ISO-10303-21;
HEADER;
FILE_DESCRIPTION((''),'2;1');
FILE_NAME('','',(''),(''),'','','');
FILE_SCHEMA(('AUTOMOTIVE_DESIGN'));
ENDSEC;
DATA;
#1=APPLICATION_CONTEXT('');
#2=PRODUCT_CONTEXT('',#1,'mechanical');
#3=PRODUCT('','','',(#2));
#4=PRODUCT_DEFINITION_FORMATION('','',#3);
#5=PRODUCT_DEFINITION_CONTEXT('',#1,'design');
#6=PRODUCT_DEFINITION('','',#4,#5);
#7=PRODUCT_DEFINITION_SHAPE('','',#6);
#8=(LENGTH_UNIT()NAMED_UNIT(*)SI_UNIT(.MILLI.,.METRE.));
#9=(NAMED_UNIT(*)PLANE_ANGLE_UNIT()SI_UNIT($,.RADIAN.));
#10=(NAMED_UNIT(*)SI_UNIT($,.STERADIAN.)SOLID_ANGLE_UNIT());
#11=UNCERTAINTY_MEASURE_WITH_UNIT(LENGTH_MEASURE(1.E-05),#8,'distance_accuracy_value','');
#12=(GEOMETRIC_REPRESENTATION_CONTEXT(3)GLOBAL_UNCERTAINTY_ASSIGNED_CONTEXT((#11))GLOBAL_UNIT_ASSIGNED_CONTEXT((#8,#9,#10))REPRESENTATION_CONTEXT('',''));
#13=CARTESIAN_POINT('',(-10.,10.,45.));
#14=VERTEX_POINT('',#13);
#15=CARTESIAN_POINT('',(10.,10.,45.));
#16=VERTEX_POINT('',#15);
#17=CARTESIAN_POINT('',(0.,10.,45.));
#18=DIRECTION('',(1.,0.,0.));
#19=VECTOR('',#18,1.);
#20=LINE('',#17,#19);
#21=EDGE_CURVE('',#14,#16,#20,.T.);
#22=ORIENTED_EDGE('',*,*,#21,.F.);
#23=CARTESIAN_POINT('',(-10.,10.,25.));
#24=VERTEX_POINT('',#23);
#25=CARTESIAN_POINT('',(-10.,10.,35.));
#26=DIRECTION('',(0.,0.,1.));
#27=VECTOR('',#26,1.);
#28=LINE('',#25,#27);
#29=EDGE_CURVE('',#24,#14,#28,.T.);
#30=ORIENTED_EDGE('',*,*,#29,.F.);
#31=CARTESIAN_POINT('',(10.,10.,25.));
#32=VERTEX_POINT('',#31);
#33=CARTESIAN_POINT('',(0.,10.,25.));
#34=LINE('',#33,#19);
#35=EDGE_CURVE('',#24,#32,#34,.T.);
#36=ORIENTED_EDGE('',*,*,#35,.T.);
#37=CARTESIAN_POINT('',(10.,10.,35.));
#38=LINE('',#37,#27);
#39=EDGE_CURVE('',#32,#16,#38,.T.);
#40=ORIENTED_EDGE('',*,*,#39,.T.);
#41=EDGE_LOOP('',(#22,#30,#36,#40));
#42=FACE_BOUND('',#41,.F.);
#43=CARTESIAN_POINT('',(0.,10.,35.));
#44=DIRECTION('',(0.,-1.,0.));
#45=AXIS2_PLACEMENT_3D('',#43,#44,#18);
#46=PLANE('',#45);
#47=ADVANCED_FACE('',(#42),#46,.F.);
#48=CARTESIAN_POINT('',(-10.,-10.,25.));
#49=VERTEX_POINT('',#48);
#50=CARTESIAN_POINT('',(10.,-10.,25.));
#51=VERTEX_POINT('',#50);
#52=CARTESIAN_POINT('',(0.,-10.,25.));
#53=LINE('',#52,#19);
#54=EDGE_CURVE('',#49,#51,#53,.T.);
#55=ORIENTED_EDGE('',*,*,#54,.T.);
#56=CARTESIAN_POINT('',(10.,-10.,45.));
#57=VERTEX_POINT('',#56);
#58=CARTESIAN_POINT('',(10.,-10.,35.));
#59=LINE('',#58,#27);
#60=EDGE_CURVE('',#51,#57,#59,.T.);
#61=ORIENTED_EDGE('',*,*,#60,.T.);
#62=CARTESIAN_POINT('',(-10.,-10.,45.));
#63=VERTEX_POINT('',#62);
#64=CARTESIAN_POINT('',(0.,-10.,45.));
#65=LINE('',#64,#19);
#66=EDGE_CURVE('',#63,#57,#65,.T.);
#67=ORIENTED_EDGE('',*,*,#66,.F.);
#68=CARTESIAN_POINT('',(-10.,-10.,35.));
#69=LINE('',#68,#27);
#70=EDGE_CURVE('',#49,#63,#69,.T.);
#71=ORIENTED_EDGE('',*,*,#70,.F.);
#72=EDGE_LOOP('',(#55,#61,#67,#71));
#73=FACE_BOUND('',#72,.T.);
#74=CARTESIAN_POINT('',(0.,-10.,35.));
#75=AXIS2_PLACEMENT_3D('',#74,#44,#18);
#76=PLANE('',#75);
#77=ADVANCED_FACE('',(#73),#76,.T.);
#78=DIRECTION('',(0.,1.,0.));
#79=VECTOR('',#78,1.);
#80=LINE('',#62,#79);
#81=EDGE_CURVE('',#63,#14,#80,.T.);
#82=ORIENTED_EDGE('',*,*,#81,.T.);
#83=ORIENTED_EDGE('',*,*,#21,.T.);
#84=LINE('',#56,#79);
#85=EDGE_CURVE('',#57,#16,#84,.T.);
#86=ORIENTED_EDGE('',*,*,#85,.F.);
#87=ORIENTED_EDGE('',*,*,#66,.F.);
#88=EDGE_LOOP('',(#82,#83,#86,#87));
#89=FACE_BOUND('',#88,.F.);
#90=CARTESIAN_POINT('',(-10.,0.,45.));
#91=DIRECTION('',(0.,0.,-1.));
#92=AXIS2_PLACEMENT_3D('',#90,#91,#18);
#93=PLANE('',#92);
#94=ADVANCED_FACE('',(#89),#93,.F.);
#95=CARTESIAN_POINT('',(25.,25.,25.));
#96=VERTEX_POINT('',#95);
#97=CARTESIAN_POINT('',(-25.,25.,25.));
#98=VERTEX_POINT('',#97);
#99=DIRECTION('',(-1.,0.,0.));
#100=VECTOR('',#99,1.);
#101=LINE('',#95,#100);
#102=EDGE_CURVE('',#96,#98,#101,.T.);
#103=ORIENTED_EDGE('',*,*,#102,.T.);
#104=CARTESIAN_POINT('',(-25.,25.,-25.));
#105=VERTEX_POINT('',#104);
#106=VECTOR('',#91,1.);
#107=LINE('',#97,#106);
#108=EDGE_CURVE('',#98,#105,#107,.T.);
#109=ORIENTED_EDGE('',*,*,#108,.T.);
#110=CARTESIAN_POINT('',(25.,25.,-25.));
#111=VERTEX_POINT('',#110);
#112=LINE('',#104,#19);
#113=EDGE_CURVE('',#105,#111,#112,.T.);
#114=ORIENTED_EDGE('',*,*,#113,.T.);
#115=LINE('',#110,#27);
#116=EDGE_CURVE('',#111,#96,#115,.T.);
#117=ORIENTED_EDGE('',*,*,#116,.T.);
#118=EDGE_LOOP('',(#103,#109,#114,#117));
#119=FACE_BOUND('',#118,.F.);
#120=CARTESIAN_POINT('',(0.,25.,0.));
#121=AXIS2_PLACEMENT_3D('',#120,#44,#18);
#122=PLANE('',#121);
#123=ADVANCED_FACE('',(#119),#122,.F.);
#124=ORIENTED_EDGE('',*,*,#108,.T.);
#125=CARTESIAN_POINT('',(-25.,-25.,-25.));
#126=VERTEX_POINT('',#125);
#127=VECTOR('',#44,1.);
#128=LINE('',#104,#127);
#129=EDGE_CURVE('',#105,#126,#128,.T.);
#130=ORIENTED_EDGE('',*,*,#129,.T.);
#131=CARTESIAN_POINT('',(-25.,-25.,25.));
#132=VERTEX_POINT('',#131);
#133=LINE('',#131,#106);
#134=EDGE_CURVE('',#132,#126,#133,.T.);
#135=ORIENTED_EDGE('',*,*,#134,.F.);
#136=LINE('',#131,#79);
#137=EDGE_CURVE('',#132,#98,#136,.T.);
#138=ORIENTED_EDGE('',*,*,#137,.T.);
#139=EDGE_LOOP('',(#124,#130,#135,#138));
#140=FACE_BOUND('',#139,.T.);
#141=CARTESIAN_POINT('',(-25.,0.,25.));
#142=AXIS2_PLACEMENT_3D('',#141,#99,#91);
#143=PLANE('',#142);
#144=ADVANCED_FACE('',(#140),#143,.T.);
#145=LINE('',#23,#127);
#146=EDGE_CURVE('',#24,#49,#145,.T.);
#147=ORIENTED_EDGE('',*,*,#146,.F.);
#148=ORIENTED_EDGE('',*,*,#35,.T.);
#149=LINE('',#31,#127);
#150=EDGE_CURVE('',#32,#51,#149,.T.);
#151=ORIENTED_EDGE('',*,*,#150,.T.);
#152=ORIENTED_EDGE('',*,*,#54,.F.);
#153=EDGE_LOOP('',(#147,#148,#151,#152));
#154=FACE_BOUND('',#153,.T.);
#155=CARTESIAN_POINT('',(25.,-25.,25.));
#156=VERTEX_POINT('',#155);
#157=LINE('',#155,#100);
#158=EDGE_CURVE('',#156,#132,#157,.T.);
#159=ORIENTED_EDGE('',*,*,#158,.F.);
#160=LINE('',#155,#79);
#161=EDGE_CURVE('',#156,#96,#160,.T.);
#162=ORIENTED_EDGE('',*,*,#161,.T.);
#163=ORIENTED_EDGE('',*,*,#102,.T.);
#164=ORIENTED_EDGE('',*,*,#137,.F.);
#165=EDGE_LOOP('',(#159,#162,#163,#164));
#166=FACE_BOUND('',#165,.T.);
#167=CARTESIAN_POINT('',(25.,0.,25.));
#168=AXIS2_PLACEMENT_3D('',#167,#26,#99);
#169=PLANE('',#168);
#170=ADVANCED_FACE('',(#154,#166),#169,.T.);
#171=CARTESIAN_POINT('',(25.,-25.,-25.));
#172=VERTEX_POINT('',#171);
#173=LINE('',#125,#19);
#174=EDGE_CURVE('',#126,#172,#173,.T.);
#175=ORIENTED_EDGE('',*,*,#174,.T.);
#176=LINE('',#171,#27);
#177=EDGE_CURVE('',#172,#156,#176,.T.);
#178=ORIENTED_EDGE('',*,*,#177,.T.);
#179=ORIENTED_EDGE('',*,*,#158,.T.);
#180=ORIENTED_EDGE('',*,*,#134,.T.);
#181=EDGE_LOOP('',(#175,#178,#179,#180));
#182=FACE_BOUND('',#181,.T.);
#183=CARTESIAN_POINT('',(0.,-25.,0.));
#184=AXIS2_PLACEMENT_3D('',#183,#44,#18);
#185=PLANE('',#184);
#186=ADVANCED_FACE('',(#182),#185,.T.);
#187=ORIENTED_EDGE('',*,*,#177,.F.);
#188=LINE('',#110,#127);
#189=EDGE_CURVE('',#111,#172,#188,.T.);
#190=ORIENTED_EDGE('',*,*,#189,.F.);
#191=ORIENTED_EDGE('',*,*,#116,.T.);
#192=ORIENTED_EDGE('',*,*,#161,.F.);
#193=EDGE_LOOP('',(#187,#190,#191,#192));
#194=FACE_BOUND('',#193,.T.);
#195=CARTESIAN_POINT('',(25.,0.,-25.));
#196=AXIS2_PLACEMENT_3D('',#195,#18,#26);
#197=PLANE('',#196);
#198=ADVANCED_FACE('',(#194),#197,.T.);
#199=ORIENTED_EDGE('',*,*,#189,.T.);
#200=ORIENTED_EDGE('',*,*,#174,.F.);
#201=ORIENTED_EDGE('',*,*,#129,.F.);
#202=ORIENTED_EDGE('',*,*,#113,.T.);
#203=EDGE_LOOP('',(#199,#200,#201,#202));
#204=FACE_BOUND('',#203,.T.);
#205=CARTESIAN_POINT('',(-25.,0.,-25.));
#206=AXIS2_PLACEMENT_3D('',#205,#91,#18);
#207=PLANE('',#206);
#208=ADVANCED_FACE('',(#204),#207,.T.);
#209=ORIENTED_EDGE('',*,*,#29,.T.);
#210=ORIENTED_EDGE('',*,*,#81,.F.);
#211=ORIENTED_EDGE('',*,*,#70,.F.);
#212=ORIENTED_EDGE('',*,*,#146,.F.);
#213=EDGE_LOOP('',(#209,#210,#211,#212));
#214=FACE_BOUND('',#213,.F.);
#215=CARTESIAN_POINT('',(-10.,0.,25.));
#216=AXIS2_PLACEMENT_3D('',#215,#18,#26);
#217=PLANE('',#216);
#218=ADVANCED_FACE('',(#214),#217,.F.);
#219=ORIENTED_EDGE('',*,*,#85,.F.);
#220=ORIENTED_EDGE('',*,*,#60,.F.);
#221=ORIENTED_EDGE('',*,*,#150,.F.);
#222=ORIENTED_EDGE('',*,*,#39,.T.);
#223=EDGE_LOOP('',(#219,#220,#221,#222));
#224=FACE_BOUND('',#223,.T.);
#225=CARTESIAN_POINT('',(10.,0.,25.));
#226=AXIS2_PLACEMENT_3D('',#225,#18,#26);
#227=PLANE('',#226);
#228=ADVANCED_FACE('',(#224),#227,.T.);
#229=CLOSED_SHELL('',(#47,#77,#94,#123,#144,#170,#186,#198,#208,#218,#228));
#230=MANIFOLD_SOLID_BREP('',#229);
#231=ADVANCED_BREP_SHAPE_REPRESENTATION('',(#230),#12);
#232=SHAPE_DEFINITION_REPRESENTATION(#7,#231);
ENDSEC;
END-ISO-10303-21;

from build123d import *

# Parameters (mm, degrees)
F1_DEPTH = 25
F0_W     = 20
F0_H     = 20
F2_DEPTH = 10


with BuildPart() as f1:
    # F0 (on Front) → F1 (new body, symmetric)
    with BuildSketch(Plane.XZ):
        Polygon((-25, 25), (-25, -25), (25, -25), (25, 25), (10, 25), (-10, 25), align=None)
    extrude(amount=F1_DEPTH, both=True)

    # F0 (on Front) → F2 (join, symmetric)
    with BuildSketch(Plane.XZ):
        with Locations((0, 35)):
            Rectangle(F0_W, F0_H)
    extrude(amount=F2_DEPTH, both=True)


solid = f1.part
